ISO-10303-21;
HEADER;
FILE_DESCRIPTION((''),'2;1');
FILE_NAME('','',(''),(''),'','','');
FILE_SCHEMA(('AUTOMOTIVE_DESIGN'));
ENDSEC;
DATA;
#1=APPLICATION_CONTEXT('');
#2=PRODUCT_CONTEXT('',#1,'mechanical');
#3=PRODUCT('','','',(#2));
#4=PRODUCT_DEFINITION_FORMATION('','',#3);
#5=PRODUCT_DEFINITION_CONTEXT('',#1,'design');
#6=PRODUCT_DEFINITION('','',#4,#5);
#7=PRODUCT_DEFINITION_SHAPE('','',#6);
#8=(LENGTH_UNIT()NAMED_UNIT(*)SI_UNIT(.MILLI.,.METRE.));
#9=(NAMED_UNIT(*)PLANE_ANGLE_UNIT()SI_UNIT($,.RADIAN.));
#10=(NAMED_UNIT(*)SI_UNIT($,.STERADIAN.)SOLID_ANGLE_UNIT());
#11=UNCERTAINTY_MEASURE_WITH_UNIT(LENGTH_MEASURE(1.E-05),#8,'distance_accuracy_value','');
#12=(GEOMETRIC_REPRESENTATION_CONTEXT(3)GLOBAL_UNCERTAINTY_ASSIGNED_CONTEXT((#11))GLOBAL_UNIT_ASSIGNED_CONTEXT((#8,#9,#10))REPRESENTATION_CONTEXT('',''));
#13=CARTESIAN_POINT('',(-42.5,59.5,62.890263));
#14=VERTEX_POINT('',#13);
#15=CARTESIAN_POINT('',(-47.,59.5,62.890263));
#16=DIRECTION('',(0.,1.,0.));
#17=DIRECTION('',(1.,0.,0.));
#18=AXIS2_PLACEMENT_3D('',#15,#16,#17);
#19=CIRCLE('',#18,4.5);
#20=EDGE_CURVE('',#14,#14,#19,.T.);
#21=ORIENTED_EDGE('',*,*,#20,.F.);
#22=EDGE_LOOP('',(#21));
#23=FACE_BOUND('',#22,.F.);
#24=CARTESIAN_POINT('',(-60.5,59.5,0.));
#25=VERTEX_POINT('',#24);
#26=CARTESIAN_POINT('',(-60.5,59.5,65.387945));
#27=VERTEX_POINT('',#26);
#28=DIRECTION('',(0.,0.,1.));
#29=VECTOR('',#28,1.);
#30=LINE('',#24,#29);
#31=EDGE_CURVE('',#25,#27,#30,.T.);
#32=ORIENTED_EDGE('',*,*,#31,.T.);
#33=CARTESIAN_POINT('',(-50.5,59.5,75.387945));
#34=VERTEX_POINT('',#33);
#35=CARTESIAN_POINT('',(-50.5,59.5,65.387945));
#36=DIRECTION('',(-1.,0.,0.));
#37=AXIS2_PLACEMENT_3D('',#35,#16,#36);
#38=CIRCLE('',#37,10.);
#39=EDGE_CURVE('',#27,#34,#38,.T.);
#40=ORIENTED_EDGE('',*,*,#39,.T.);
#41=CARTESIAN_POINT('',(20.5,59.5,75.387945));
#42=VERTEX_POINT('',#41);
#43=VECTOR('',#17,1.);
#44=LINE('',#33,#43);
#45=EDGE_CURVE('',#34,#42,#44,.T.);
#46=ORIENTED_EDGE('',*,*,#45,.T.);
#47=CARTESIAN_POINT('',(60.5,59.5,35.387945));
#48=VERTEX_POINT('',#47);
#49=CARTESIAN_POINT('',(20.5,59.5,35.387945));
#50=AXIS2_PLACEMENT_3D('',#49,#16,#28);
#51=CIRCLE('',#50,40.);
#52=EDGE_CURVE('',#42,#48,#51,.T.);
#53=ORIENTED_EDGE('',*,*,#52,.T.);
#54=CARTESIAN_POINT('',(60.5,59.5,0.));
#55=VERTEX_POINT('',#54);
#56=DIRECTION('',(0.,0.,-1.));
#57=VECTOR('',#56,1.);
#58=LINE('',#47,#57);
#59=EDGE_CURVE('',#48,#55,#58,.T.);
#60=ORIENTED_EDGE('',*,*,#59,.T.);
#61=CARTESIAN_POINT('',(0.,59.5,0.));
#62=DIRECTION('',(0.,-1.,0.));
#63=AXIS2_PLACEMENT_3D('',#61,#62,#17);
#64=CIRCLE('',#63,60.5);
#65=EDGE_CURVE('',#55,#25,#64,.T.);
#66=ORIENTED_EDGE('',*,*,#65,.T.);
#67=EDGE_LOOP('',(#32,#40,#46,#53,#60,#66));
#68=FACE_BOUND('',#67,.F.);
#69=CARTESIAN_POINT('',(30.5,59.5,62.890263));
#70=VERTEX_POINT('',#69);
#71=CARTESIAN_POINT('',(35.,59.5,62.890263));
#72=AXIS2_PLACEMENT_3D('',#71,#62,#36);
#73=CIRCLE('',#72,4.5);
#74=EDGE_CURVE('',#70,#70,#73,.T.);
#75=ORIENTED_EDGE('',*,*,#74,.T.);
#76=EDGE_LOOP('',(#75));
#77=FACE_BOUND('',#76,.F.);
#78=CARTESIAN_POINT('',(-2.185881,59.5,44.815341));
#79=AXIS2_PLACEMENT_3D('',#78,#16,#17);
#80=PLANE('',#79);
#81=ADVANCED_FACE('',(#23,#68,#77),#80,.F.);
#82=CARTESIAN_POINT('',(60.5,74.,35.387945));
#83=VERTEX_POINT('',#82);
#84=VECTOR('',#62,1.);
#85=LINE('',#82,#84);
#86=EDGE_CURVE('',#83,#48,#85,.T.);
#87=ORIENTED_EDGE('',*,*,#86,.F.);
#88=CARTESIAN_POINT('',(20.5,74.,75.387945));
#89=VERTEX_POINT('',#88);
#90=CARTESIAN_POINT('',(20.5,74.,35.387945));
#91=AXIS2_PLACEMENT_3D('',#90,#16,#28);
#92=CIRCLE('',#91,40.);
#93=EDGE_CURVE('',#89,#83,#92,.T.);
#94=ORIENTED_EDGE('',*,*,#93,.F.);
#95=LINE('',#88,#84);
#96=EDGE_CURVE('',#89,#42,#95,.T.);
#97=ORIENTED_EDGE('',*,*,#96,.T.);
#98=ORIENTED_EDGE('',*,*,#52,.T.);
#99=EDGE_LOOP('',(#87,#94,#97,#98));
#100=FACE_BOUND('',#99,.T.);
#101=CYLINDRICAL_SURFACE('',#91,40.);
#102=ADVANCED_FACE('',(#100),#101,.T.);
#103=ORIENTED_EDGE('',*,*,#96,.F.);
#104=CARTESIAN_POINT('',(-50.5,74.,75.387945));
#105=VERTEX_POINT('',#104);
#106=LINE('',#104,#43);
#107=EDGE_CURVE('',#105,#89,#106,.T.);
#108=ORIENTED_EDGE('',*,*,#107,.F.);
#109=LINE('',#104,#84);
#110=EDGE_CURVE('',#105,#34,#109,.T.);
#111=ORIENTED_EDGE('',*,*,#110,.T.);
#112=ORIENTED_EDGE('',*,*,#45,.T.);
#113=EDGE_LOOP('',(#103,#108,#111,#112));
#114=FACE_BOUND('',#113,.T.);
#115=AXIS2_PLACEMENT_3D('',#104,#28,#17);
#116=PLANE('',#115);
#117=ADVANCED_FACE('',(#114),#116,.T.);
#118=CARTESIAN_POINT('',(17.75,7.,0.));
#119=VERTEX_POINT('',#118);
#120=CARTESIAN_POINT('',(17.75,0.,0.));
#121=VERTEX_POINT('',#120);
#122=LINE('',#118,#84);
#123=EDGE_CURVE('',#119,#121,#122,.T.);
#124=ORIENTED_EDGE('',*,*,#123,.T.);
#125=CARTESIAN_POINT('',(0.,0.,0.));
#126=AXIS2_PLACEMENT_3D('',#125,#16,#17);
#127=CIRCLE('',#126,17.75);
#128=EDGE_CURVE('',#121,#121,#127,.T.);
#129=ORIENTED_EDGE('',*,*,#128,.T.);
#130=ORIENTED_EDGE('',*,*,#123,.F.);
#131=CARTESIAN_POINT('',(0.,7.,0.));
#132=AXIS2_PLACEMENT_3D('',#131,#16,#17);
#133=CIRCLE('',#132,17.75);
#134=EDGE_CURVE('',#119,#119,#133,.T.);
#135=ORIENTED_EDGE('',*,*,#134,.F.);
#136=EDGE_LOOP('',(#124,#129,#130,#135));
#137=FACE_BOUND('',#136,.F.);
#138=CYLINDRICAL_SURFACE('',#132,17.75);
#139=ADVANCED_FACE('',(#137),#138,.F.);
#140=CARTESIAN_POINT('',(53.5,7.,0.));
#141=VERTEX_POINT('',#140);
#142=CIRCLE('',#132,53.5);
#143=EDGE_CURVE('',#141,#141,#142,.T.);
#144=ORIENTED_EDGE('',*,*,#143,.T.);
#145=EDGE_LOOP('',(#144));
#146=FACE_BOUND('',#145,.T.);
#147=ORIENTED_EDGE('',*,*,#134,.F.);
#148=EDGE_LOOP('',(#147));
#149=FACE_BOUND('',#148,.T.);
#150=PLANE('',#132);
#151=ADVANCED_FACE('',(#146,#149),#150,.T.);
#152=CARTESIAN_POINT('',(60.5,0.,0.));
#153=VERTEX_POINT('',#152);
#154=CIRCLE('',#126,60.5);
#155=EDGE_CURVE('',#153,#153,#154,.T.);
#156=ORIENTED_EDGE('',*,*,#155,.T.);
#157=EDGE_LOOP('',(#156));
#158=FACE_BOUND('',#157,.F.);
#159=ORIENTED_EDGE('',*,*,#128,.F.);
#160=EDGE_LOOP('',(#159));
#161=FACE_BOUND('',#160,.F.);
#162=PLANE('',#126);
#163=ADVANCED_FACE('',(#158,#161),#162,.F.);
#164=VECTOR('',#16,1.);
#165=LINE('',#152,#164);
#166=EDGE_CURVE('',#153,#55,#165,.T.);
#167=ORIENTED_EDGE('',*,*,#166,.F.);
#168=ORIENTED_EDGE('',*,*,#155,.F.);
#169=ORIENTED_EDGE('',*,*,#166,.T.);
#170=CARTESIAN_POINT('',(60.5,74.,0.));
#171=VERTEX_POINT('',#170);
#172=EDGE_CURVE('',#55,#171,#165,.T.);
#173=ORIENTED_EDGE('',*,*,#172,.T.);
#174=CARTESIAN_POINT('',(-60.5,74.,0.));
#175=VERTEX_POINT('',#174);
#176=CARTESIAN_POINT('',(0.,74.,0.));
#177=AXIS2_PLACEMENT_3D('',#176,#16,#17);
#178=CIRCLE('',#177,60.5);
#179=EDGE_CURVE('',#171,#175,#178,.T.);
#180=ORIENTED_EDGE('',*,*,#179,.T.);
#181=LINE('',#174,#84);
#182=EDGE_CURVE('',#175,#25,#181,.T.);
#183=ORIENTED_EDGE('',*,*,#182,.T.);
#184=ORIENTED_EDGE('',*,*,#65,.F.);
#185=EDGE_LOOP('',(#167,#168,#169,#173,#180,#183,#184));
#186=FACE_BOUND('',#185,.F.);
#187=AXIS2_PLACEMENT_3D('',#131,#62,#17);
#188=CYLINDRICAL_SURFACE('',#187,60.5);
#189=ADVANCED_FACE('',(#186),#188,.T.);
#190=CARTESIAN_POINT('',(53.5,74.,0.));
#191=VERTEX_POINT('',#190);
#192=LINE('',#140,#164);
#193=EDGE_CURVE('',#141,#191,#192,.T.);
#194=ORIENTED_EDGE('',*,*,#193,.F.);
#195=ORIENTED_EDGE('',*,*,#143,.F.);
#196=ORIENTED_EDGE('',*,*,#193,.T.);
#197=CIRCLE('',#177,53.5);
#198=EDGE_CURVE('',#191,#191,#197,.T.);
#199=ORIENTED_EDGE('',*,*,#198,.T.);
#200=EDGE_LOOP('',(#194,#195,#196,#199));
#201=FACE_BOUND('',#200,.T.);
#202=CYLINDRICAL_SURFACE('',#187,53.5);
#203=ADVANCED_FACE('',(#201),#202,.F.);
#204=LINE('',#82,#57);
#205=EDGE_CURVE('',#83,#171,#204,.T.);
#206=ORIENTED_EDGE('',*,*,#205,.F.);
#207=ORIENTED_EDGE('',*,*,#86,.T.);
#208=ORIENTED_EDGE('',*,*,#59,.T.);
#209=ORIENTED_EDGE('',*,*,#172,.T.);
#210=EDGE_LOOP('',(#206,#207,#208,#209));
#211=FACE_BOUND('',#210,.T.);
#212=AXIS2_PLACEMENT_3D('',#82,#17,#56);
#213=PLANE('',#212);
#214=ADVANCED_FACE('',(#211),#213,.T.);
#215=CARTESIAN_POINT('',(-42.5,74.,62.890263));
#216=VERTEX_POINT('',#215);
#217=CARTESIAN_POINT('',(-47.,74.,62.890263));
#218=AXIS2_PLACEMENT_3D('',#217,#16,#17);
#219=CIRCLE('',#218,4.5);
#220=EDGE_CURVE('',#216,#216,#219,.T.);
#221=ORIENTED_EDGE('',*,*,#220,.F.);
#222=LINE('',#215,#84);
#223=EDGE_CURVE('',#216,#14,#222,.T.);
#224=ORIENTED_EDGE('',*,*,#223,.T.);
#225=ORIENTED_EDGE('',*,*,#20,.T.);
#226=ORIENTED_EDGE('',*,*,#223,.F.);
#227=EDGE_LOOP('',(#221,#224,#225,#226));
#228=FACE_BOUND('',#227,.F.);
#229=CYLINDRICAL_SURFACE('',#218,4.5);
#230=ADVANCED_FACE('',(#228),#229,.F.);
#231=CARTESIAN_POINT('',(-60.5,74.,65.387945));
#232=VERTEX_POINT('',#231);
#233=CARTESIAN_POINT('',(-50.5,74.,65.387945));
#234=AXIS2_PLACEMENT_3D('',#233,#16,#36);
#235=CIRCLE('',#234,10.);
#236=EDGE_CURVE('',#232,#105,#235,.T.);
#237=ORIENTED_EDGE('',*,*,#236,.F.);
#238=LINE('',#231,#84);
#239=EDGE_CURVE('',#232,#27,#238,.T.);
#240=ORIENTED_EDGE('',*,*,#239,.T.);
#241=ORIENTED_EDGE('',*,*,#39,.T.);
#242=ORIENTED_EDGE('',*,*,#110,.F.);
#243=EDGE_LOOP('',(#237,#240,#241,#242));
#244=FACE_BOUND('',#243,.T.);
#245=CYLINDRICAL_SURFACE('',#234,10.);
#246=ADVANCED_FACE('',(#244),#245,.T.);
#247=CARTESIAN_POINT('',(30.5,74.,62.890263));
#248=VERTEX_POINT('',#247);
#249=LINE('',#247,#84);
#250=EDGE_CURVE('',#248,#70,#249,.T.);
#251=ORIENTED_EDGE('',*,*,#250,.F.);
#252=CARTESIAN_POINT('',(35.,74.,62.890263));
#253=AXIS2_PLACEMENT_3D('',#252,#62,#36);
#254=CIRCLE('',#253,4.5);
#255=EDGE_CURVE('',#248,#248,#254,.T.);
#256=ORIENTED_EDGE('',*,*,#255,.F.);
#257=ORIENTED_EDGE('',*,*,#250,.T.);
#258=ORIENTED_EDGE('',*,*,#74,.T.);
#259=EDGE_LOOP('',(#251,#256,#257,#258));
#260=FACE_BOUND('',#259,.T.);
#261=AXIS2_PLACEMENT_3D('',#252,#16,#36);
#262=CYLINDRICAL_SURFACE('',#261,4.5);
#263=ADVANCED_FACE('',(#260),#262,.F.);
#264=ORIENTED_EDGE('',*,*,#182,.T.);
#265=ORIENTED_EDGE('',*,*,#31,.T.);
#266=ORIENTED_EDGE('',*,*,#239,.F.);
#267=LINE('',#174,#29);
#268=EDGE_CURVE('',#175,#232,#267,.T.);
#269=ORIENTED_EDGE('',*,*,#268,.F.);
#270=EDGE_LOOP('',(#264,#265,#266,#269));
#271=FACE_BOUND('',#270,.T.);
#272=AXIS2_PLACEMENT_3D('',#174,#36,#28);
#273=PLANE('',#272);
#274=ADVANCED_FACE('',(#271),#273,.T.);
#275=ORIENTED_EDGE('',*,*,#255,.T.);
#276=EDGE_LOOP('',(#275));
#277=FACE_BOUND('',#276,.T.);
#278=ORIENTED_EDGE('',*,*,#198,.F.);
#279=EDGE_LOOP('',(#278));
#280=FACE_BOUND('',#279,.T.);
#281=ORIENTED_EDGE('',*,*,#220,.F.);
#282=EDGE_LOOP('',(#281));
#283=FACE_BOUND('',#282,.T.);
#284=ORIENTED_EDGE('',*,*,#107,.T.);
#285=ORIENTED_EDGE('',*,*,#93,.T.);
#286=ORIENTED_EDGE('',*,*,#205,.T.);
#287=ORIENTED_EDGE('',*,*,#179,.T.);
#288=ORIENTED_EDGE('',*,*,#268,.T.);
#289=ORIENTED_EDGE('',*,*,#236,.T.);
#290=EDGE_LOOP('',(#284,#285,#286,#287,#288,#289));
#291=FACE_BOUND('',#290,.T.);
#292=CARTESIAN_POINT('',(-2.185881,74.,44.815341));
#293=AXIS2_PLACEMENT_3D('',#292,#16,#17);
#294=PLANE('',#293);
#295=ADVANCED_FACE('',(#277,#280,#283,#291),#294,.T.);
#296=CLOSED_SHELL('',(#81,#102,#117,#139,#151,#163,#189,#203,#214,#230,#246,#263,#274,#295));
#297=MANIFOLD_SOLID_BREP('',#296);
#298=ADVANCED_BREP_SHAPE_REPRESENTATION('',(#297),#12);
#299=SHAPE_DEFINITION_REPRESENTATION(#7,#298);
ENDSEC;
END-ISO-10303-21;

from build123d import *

# Parameters (mm, degrees)
SKETCH_1_R          = 60.5
EXTRUDE_1_DEPTH     = 7
SKETCH_2_R          = 60.5
SKETCH_2_R_2        = 53.5
EXTRUDE_2_DEPTH     = 67
SKETCH_3_R          = 17.75
CUT_EXTRUDE_1_DEPTH = 54
SKETCH_6_R          = 4.5
EXTRUDE_3_DEPTH     = 14.5


with BuildPart() as part:
    # Эскиз1 → Бобышка-Вытянуть1 (new body)
    with BuildSketch(Plane(origin=(0, 0, 0), x_dir=(1, 0, 0), z_dir=(0, 1, 0))):
        Circle(SKETCH_1_R)
    extrude(amount=EXTRUDE_1_DEPTH)

    # Эскиз2 → Бобышка-Вытянуть2 (add)
    with BuildSketch(Plane(origin=(0, 7, 0), x_dir=(1, 0, 0), z_dir=(0, 1, 0))):
        Circle(SKETCH_2_R)
        Circle(SKETCH_2_R_2, mode=Mode.SUBTRACT)
    extrude(amount=EXTRUDE_2_DEPTH)

    # Эскиз3 → Вырез-Вытянуть1 (cut)
    with BuildSketch(Plane(origin=(0, 7, 0), x_dir=(1, 0, 0), z_dir=(0, 1, 0))):
        Circle(SKETCH_3_R)
    extrude(amount=-CUT_EXTRUDE_1_DEPTH, mode=Mode.SUBTRACT)

    # Эскиз6 → Бобышка-Вытянуть3 (add)
    with BuildSketch(Plane(origin=(0, 74, 0), x_dir=(1, 0, 0), z_dir=(0, 1, 0))):
        with BuildLine():
            ThreePointArc((60.5, 0), (0, -60.5), (-60.5, 0))
            Line((-60.5, 0), (-60.5, -65.387945457))
            ThreePointArc((-60.5, -65.387945457), (-57.571067812, -72.459013269), (-50.5, -75.387945457))
            Line((-50.5, -75.387945457), (20.5, -75.387945457))
            ThreePointArc((20.5, -75.387945457), (48.784271247, -63.672216704), (60.5, -35.387945457))
            Line((60.5, -35.387945457), (60.5, 0))
        make_face()
        with Locations((-47, -62.890262607)):
            Circle(SKETCH_6_R, mode=Mode.SUBTRACT)
        with BuildLine():
            ThreePointArc((39.5, -62.890262607), (35, -67.390262607), (30.5, -62.890262607))
            ThreePointArc((30.5, -62.890262607), (35, -58.390262607), (39.5, -62.890262607))
        make_face(mode=Mode.SUBTRACT)
    extrude(amount=-EXTRUDE_3_DEPTH)


solid = part.part
